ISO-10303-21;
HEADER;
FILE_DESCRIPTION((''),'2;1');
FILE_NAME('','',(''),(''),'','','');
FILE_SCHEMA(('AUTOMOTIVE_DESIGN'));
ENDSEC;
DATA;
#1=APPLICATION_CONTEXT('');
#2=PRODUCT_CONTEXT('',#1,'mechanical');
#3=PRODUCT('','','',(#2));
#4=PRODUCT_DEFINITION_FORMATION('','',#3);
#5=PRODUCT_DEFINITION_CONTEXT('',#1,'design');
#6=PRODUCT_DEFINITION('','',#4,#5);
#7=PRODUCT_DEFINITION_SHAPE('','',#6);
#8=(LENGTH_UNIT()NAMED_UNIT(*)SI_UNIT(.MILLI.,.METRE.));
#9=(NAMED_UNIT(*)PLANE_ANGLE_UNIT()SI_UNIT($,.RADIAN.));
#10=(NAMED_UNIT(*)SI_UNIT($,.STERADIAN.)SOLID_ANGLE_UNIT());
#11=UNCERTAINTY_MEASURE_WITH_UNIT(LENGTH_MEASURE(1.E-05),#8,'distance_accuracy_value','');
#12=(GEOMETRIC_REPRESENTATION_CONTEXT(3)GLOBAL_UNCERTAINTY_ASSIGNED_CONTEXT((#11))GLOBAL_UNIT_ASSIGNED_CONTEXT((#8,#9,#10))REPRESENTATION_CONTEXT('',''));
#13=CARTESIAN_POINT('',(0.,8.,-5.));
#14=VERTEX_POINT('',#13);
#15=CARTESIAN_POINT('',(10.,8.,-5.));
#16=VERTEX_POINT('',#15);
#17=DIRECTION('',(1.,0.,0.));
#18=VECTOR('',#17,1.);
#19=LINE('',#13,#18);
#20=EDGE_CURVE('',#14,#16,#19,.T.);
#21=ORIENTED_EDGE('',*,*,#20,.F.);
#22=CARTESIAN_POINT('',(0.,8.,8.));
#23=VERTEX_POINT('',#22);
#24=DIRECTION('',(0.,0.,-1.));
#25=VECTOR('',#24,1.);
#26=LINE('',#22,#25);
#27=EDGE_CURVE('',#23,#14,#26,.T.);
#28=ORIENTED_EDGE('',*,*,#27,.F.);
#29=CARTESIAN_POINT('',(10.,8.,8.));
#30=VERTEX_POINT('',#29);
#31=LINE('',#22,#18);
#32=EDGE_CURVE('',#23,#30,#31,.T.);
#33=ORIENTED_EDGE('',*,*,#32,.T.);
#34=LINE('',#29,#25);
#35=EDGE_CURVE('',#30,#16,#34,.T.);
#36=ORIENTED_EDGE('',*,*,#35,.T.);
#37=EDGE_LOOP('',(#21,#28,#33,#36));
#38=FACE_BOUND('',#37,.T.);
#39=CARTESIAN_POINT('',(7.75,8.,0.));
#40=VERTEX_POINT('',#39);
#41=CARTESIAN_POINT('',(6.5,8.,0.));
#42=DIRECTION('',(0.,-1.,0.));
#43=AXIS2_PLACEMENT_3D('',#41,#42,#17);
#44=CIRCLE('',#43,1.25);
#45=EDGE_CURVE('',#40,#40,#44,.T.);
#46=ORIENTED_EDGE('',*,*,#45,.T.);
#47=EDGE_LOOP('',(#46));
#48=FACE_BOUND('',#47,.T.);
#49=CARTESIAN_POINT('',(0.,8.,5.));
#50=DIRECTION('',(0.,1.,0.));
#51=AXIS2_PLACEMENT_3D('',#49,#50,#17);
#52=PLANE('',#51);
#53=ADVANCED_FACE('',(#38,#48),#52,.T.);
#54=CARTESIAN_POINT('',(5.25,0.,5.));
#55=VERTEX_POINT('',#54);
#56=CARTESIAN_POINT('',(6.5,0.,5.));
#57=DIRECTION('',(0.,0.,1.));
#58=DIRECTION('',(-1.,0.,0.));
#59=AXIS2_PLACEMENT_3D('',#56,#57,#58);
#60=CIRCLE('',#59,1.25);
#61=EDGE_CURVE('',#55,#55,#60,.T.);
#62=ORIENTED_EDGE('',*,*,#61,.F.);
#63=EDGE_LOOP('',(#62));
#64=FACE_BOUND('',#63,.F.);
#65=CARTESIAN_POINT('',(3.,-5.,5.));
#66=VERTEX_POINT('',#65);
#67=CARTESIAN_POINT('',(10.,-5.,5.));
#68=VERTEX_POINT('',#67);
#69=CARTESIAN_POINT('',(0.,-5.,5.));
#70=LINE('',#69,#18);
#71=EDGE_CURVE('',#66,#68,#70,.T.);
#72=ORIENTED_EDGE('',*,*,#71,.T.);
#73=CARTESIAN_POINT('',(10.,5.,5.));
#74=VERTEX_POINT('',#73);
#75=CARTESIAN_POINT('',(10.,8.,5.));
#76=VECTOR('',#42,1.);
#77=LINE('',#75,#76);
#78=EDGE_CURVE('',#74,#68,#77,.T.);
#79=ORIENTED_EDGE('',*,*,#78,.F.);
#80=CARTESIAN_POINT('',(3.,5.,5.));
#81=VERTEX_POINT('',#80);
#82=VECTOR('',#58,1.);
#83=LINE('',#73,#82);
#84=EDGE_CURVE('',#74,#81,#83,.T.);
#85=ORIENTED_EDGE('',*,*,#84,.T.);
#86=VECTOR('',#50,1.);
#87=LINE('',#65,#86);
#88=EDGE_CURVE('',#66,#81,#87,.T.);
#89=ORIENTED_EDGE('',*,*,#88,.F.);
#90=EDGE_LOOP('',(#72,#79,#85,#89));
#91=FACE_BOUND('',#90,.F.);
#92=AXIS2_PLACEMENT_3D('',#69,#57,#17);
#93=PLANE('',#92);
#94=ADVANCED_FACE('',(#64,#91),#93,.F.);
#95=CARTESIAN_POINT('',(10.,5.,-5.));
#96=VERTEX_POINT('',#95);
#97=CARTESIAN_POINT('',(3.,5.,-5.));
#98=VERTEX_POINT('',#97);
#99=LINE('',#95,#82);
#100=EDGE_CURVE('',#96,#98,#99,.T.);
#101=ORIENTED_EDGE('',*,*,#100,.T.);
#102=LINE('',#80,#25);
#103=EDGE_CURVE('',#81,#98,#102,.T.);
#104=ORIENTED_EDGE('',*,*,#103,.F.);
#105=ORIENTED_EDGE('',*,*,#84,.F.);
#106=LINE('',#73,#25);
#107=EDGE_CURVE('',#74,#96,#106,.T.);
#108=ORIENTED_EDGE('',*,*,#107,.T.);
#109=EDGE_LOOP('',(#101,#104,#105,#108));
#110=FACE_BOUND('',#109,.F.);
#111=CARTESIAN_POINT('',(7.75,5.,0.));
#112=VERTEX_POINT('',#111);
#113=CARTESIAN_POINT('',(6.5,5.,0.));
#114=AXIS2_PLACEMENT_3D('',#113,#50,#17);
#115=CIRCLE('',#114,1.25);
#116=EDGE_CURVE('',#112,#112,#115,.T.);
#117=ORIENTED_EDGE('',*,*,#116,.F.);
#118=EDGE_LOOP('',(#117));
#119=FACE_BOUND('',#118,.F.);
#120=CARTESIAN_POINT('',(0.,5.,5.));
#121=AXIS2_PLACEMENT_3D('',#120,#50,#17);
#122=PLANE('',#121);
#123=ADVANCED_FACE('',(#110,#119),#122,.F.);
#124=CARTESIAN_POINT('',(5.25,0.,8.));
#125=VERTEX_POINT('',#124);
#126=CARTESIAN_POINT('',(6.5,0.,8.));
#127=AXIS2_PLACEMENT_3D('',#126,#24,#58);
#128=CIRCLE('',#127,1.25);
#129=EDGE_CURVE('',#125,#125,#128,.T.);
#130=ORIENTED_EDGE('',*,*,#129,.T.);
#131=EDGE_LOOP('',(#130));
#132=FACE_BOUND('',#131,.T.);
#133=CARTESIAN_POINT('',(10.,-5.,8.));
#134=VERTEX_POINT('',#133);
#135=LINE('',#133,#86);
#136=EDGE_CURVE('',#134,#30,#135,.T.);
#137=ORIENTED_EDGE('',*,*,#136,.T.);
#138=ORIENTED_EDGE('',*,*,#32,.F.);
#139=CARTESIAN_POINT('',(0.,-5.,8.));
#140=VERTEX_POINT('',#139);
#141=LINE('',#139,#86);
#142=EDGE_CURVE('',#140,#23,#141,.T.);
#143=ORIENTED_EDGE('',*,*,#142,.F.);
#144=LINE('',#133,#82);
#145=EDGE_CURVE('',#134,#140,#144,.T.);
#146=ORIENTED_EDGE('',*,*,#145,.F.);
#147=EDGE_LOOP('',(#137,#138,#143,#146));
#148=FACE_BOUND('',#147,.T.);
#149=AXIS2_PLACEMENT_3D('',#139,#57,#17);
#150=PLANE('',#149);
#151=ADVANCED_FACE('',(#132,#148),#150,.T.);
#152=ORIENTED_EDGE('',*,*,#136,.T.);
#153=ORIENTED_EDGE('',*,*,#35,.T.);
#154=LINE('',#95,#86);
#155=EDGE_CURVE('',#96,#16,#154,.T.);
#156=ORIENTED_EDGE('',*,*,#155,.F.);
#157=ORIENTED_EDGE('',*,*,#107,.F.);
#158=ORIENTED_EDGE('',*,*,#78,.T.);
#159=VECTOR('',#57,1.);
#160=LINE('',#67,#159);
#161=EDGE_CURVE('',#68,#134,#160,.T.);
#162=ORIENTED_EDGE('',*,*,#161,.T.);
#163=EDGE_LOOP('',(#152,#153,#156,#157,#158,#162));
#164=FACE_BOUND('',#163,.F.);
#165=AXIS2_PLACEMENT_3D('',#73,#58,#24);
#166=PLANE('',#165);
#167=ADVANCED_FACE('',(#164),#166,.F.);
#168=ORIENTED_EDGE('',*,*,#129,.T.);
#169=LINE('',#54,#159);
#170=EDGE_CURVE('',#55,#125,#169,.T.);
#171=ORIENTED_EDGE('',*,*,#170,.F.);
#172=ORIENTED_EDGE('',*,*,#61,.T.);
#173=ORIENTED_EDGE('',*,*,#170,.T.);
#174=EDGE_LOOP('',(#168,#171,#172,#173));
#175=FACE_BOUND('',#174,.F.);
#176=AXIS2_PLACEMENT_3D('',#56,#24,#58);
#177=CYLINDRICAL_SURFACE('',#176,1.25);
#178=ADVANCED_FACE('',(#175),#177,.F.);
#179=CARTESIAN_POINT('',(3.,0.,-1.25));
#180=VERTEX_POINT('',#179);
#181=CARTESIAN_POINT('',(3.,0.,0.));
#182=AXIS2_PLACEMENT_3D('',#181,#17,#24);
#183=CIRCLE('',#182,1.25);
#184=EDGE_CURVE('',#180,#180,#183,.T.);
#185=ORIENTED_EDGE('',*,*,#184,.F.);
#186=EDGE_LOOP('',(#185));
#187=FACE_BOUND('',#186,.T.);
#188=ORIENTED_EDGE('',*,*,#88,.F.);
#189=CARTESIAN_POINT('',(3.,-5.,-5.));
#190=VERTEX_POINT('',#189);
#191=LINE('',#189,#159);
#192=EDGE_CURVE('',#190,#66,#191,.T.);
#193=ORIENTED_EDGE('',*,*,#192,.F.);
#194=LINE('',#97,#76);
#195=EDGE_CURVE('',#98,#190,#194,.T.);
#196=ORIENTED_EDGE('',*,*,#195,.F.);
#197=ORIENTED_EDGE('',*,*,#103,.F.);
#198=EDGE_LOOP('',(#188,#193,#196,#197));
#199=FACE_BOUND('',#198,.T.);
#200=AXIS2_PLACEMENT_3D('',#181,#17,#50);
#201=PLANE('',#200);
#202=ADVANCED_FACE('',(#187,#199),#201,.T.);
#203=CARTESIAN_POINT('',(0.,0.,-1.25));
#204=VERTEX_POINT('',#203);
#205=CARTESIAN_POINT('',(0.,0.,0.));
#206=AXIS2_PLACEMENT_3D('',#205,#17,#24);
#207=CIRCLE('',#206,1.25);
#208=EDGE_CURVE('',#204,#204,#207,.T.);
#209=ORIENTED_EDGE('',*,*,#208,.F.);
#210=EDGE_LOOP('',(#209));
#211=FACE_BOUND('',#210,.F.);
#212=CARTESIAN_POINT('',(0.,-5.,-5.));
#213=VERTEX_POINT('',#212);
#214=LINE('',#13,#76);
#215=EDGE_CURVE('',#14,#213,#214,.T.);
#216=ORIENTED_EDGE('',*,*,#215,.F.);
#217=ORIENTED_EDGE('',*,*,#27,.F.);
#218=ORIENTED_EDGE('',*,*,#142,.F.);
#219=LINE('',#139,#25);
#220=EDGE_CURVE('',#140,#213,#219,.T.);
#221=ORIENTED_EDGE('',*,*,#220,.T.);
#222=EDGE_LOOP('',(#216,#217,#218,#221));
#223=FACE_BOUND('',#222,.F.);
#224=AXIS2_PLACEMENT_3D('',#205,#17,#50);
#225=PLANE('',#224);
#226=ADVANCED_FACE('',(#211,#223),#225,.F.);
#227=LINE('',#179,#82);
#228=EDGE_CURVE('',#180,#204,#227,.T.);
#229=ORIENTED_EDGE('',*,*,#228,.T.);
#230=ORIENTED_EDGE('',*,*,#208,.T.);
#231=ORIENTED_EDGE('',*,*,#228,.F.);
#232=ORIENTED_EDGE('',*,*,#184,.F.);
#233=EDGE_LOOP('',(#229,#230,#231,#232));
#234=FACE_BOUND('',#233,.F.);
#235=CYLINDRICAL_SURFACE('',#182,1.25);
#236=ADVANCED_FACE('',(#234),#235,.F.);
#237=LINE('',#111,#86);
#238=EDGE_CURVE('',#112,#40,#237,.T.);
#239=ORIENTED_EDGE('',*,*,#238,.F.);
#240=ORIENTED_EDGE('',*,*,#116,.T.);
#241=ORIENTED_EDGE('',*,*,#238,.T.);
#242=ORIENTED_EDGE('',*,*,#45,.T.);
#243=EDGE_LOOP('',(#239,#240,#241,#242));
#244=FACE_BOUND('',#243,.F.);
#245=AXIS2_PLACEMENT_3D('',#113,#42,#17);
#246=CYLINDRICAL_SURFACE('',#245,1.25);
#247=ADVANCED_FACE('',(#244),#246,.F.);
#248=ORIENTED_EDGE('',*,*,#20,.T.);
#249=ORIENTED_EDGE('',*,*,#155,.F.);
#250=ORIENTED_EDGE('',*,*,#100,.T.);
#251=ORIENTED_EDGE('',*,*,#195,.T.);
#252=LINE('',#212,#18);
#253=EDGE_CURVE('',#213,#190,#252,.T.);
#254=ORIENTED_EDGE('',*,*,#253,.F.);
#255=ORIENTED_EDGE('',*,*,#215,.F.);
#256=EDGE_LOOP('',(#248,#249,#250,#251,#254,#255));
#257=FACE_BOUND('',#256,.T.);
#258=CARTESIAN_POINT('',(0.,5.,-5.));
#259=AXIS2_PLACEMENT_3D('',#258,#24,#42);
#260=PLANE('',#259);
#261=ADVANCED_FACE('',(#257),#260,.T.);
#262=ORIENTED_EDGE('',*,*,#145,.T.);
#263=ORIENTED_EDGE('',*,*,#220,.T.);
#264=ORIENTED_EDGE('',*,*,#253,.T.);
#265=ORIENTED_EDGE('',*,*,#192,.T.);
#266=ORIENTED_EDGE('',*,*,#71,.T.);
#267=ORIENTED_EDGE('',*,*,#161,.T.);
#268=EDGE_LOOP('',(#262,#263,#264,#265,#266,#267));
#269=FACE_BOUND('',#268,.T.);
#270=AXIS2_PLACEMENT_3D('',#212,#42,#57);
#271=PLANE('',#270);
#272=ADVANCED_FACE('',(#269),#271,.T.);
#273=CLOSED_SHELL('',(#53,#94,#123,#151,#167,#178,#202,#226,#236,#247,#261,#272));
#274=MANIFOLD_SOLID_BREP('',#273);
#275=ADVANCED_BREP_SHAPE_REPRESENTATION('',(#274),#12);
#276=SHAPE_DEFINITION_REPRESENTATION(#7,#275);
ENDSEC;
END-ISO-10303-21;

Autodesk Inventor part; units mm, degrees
ref_plane "YZ Plane" through (0, 0, 0) normal (1, 0, 0) x (0, 1, 0)
ref_plane "XZ Plane" through (0, 0, 0) normal (0, 1, 0) x (-1, 0, 0)
ref_plane "XY Plane" through (0, 0, 0) normal (0, 0, 1) x (1, 0, 0)
sketch "스케치1" plane through (0, 0, 0) normal (1, 0, 0) x (0, 1, 0)
  line L0 (-5, 5) -> (5, 5)
  line L1 (5, 5) -> (5, -5)
  line L2 (5, -5) -> (-5, -5)
  line L3 (-5, -5) -> (-5, 5)
  line L4 (-5, 5) -> (5, -5) construction
  line L5 (5, 5) -> (-5, -5) construction
  point P0 (0, 0)
  dimension "d0" = 10
  dimension "d1" = 10
extrude "돌출1" add sketch "스케치1" along normal blind 3
sketch "스케치2" plane through (0, 5, 5) normal (0, 1, 0) x (1, 0, 0)
  line L0 (0, 10) -> (0, 0) projected
  line L1 (0, 0) -> (3, 0) projected
  line L2 (3, 10) -> (3, 0) projected
  line L3 (0, 10) -> (3, 10) projected
  line L4 (0, 0) -> (10, 0)
  line L5 (10, 0) -> (10, 10)
  line L6 (10, 10) -> (0, 10)
  line L7 (0, 10) -> (0, 0)
  point P0 (0, 5)
  dimension "d4" = 10
  dimension "d5" = 10
extrude "돌출2" add sketch "스케치2" along normal blind 3
sketch "스케치3" plane through (0, -5, 5) normal (0, 0, 1) x (1, 0, 0)
  line L0 (0, 0) -> (0, 13) projected
  line L1 (0, 0) -> (3, 0) projected
  line L2 (3, 10) -> (3, 0) projected
  line L3 (3, 10) -> (10, 10) projected
  line L4 (10, 10) -> (10, 13) projected
  line L5 (0, 13) -> (10, 13) projected
  line L6 (0, 13) -> (10, 13)
  line L7 (10, 13) -> (10, 0)
  line L8 (10, 0) -> (0, 0)
  line L9 (0, 0) -> (0, 13)
  point P0 (0, 5)
extrude "돌출3" add sketch "스케치3" along normal blind 3
sketch "스케치4" plane through (3, 0, 0) normal (1, 0, 0) x (0, 0, -1)
  circle A0 centre (0, 0) radius 1.25
  dimension "d10" = 2.5
extrude "돌출4" cut sketch "스케치4" against normal blind 3
sketch "스케치5" plane through (0, 5, 5) normal (0, -1, 0) x (1, 0, 0)
  line L0 (3, -10) -> (3, 0) projected
  line L1 (10, -10) -> (3, -10) projected
  line L2 (10, 0) -> (10, -10) projected
  line L3 (3, 0) -> (10, 0) projected
  line L4 (10, 0) -> (10, -10) projected
  line L5 (10, -5) -> (6.5, -5)
  line L6 (6.5, -5) -> (6.5, -10)
  circle A0 centre (6.5, -5) radius 1.25
  point P0 (0, -5)
  dimension "d13" = 2.5
extrude "돌출5" cut sketch "스케치5" against normal blind 3 contours A0 L5 L6 | L6 L5 A0
sketch "스케치6" plane through (0, -5, 5) normal (0, 0, -1) x (-1, 0, 0)
  line L0 (-3, 10) -> (-10, 10) projected
  line L1 (-10, 0) -> (-10, 10) projected
  line L2 (-3, 0) -> (-10, 0) projected
  line L3 (-3, 10) -> (-3, 0) projected
  line L4 (-3, 0) -> (-10, 0) projected
  line L5 (-6.5, 0) -> (-6.5, 5)
  line L6 (-6.5, 5) -> (-3, 5)
  circle A0 centre (-6.5, 5) radius 1.25
  point P0 (0, 5)
  dimension "d16" = 2.5
extrude "돌출6" cut sketch "스케치6" against normal blind 3 contours A0 L5 L6 | L6 L5 A0
properties part number "64" material "LCP 플라스틱"
